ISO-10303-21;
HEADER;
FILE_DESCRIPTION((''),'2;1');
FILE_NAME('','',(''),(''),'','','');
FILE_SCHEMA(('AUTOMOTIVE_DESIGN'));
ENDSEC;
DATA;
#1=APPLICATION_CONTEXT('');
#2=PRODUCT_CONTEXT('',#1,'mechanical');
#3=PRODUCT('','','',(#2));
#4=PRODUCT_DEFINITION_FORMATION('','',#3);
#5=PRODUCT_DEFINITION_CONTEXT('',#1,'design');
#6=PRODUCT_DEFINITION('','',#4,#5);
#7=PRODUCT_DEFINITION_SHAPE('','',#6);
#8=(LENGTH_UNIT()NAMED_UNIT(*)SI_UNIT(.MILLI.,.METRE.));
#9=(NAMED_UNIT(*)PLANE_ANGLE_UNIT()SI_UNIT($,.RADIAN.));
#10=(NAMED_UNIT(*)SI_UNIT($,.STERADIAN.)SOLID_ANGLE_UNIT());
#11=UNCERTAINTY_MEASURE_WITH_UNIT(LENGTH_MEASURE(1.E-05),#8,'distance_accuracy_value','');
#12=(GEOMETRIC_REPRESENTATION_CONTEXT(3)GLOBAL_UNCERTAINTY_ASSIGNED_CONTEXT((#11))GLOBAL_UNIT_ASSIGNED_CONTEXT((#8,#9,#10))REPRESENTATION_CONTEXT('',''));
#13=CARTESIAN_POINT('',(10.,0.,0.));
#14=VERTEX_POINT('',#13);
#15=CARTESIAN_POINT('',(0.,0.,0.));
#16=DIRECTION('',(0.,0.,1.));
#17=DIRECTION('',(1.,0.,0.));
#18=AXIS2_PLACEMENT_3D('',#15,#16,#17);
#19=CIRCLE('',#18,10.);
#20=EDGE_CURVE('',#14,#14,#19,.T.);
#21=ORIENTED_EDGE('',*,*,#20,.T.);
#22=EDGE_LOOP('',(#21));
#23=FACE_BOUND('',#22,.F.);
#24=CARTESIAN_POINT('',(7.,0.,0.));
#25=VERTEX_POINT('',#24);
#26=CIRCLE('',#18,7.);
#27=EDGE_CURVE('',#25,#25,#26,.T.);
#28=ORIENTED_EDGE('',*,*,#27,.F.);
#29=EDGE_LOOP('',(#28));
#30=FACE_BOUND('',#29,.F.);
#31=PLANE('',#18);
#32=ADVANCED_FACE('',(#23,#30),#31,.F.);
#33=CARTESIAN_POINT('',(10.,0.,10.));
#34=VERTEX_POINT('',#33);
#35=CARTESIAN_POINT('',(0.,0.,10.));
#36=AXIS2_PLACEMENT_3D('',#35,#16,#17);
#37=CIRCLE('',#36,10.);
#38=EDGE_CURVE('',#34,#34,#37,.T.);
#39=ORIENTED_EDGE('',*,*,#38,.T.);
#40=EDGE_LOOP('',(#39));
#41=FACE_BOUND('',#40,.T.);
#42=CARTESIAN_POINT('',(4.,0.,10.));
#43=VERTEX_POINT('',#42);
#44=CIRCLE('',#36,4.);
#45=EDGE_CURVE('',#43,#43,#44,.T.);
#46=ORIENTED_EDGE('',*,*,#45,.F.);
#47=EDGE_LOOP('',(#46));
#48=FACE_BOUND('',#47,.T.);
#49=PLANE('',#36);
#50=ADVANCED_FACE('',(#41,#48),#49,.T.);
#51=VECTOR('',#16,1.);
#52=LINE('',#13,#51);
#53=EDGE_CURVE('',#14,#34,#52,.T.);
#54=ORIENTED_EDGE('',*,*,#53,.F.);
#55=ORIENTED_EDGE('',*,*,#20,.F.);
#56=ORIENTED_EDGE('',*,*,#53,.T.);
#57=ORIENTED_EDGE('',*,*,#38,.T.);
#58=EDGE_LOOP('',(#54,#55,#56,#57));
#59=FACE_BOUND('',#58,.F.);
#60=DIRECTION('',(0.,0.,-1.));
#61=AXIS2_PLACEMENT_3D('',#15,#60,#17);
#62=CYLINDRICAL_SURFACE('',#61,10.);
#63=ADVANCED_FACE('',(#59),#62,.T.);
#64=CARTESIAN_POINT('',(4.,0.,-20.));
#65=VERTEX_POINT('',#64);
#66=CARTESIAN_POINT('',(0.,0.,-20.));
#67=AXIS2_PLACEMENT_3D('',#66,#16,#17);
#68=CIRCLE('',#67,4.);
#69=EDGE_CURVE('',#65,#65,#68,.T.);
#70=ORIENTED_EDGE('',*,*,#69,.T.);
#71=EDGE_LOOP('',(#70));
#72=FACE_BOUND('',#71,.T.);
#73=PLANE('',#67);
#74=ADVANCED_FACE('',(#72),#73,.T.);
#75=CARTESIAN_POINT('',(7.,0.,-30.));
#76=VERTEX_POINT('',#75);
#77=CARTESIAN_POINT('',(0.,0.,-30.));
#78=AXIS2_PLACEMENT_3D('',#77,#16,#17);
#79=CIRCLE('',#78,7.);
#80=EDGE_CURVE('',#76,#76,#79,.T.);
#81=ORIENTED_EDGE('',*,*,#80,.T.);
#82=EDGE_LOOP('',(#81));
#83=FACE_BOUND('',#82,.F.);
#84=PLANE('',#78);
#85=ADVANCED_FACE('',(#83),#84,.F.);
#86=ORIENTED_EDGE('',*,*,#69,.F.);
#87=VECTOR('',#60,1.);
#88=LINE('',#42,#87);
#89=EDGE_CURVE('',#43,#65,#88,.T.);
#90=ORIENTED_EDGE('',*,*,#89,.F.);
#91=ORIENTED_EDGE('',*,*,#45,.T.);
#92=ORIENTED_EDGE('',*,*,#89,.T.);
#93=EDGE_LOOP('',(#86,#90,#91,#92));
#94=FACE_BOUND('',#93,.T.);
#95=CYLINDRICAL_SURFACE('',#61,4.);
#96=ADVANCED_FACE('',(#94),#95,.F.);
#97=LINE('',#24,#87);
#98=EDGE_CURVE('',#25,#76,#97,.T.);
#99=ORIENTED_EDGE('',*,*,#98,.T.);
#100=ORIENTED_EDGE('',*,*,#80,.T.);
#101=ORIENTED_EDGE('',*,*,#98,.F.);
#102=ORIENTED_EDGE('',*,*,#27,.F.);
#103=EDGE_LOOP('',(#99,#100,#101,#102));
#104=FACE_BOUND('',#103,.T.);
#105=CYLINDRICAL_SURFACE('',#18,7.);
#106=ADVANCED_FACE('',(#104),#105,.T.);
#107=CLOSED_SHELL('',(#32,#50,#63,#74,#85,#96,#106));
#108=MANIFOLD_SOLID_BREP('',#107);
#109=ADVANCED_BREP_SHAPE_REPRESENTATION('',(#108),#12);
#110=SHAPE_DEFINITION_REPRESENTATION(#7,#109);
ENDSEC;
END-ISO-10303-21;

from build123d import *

# Parameters (mm, degrees)
F0_R     = 7
F0_R_2   = 4
F1_DEPTH = 30
F2_DEPTH = 20
F0_R_3   = 10
F3_DEPTH = 10


with BuildPart() as f1:
    # F0 (on Top) → F1 (new body)
    with BuildSketch(Plane.XY):
        Circle(F0_R)
        Circle(F0_R_2, mode=Mode.SUBTRACT)
        Circle(F0_R_2)
    extrude(amount=-F1_DEPTH)

    # F0 (on Top) → F2 (cut)
    with BuildSketch(Plane.XY):
        Circle(F0_R_2)
    extrude(amount=-F2_DEPTH, mode=Mode.SUBTRACT)

    # F0 (on Top) → F3 (join)
    with BuildSketch(Plane.XY):
        Circle(F0_R_3)
        Circle(F0_R, mode=Mode.SUBTRACT)
        Circle(F0_R)
        Circle(F0_R_2, mode=Mode.SUBTRACT)
    extrude(amount=F3_DEPTH)


solid = f1.part
